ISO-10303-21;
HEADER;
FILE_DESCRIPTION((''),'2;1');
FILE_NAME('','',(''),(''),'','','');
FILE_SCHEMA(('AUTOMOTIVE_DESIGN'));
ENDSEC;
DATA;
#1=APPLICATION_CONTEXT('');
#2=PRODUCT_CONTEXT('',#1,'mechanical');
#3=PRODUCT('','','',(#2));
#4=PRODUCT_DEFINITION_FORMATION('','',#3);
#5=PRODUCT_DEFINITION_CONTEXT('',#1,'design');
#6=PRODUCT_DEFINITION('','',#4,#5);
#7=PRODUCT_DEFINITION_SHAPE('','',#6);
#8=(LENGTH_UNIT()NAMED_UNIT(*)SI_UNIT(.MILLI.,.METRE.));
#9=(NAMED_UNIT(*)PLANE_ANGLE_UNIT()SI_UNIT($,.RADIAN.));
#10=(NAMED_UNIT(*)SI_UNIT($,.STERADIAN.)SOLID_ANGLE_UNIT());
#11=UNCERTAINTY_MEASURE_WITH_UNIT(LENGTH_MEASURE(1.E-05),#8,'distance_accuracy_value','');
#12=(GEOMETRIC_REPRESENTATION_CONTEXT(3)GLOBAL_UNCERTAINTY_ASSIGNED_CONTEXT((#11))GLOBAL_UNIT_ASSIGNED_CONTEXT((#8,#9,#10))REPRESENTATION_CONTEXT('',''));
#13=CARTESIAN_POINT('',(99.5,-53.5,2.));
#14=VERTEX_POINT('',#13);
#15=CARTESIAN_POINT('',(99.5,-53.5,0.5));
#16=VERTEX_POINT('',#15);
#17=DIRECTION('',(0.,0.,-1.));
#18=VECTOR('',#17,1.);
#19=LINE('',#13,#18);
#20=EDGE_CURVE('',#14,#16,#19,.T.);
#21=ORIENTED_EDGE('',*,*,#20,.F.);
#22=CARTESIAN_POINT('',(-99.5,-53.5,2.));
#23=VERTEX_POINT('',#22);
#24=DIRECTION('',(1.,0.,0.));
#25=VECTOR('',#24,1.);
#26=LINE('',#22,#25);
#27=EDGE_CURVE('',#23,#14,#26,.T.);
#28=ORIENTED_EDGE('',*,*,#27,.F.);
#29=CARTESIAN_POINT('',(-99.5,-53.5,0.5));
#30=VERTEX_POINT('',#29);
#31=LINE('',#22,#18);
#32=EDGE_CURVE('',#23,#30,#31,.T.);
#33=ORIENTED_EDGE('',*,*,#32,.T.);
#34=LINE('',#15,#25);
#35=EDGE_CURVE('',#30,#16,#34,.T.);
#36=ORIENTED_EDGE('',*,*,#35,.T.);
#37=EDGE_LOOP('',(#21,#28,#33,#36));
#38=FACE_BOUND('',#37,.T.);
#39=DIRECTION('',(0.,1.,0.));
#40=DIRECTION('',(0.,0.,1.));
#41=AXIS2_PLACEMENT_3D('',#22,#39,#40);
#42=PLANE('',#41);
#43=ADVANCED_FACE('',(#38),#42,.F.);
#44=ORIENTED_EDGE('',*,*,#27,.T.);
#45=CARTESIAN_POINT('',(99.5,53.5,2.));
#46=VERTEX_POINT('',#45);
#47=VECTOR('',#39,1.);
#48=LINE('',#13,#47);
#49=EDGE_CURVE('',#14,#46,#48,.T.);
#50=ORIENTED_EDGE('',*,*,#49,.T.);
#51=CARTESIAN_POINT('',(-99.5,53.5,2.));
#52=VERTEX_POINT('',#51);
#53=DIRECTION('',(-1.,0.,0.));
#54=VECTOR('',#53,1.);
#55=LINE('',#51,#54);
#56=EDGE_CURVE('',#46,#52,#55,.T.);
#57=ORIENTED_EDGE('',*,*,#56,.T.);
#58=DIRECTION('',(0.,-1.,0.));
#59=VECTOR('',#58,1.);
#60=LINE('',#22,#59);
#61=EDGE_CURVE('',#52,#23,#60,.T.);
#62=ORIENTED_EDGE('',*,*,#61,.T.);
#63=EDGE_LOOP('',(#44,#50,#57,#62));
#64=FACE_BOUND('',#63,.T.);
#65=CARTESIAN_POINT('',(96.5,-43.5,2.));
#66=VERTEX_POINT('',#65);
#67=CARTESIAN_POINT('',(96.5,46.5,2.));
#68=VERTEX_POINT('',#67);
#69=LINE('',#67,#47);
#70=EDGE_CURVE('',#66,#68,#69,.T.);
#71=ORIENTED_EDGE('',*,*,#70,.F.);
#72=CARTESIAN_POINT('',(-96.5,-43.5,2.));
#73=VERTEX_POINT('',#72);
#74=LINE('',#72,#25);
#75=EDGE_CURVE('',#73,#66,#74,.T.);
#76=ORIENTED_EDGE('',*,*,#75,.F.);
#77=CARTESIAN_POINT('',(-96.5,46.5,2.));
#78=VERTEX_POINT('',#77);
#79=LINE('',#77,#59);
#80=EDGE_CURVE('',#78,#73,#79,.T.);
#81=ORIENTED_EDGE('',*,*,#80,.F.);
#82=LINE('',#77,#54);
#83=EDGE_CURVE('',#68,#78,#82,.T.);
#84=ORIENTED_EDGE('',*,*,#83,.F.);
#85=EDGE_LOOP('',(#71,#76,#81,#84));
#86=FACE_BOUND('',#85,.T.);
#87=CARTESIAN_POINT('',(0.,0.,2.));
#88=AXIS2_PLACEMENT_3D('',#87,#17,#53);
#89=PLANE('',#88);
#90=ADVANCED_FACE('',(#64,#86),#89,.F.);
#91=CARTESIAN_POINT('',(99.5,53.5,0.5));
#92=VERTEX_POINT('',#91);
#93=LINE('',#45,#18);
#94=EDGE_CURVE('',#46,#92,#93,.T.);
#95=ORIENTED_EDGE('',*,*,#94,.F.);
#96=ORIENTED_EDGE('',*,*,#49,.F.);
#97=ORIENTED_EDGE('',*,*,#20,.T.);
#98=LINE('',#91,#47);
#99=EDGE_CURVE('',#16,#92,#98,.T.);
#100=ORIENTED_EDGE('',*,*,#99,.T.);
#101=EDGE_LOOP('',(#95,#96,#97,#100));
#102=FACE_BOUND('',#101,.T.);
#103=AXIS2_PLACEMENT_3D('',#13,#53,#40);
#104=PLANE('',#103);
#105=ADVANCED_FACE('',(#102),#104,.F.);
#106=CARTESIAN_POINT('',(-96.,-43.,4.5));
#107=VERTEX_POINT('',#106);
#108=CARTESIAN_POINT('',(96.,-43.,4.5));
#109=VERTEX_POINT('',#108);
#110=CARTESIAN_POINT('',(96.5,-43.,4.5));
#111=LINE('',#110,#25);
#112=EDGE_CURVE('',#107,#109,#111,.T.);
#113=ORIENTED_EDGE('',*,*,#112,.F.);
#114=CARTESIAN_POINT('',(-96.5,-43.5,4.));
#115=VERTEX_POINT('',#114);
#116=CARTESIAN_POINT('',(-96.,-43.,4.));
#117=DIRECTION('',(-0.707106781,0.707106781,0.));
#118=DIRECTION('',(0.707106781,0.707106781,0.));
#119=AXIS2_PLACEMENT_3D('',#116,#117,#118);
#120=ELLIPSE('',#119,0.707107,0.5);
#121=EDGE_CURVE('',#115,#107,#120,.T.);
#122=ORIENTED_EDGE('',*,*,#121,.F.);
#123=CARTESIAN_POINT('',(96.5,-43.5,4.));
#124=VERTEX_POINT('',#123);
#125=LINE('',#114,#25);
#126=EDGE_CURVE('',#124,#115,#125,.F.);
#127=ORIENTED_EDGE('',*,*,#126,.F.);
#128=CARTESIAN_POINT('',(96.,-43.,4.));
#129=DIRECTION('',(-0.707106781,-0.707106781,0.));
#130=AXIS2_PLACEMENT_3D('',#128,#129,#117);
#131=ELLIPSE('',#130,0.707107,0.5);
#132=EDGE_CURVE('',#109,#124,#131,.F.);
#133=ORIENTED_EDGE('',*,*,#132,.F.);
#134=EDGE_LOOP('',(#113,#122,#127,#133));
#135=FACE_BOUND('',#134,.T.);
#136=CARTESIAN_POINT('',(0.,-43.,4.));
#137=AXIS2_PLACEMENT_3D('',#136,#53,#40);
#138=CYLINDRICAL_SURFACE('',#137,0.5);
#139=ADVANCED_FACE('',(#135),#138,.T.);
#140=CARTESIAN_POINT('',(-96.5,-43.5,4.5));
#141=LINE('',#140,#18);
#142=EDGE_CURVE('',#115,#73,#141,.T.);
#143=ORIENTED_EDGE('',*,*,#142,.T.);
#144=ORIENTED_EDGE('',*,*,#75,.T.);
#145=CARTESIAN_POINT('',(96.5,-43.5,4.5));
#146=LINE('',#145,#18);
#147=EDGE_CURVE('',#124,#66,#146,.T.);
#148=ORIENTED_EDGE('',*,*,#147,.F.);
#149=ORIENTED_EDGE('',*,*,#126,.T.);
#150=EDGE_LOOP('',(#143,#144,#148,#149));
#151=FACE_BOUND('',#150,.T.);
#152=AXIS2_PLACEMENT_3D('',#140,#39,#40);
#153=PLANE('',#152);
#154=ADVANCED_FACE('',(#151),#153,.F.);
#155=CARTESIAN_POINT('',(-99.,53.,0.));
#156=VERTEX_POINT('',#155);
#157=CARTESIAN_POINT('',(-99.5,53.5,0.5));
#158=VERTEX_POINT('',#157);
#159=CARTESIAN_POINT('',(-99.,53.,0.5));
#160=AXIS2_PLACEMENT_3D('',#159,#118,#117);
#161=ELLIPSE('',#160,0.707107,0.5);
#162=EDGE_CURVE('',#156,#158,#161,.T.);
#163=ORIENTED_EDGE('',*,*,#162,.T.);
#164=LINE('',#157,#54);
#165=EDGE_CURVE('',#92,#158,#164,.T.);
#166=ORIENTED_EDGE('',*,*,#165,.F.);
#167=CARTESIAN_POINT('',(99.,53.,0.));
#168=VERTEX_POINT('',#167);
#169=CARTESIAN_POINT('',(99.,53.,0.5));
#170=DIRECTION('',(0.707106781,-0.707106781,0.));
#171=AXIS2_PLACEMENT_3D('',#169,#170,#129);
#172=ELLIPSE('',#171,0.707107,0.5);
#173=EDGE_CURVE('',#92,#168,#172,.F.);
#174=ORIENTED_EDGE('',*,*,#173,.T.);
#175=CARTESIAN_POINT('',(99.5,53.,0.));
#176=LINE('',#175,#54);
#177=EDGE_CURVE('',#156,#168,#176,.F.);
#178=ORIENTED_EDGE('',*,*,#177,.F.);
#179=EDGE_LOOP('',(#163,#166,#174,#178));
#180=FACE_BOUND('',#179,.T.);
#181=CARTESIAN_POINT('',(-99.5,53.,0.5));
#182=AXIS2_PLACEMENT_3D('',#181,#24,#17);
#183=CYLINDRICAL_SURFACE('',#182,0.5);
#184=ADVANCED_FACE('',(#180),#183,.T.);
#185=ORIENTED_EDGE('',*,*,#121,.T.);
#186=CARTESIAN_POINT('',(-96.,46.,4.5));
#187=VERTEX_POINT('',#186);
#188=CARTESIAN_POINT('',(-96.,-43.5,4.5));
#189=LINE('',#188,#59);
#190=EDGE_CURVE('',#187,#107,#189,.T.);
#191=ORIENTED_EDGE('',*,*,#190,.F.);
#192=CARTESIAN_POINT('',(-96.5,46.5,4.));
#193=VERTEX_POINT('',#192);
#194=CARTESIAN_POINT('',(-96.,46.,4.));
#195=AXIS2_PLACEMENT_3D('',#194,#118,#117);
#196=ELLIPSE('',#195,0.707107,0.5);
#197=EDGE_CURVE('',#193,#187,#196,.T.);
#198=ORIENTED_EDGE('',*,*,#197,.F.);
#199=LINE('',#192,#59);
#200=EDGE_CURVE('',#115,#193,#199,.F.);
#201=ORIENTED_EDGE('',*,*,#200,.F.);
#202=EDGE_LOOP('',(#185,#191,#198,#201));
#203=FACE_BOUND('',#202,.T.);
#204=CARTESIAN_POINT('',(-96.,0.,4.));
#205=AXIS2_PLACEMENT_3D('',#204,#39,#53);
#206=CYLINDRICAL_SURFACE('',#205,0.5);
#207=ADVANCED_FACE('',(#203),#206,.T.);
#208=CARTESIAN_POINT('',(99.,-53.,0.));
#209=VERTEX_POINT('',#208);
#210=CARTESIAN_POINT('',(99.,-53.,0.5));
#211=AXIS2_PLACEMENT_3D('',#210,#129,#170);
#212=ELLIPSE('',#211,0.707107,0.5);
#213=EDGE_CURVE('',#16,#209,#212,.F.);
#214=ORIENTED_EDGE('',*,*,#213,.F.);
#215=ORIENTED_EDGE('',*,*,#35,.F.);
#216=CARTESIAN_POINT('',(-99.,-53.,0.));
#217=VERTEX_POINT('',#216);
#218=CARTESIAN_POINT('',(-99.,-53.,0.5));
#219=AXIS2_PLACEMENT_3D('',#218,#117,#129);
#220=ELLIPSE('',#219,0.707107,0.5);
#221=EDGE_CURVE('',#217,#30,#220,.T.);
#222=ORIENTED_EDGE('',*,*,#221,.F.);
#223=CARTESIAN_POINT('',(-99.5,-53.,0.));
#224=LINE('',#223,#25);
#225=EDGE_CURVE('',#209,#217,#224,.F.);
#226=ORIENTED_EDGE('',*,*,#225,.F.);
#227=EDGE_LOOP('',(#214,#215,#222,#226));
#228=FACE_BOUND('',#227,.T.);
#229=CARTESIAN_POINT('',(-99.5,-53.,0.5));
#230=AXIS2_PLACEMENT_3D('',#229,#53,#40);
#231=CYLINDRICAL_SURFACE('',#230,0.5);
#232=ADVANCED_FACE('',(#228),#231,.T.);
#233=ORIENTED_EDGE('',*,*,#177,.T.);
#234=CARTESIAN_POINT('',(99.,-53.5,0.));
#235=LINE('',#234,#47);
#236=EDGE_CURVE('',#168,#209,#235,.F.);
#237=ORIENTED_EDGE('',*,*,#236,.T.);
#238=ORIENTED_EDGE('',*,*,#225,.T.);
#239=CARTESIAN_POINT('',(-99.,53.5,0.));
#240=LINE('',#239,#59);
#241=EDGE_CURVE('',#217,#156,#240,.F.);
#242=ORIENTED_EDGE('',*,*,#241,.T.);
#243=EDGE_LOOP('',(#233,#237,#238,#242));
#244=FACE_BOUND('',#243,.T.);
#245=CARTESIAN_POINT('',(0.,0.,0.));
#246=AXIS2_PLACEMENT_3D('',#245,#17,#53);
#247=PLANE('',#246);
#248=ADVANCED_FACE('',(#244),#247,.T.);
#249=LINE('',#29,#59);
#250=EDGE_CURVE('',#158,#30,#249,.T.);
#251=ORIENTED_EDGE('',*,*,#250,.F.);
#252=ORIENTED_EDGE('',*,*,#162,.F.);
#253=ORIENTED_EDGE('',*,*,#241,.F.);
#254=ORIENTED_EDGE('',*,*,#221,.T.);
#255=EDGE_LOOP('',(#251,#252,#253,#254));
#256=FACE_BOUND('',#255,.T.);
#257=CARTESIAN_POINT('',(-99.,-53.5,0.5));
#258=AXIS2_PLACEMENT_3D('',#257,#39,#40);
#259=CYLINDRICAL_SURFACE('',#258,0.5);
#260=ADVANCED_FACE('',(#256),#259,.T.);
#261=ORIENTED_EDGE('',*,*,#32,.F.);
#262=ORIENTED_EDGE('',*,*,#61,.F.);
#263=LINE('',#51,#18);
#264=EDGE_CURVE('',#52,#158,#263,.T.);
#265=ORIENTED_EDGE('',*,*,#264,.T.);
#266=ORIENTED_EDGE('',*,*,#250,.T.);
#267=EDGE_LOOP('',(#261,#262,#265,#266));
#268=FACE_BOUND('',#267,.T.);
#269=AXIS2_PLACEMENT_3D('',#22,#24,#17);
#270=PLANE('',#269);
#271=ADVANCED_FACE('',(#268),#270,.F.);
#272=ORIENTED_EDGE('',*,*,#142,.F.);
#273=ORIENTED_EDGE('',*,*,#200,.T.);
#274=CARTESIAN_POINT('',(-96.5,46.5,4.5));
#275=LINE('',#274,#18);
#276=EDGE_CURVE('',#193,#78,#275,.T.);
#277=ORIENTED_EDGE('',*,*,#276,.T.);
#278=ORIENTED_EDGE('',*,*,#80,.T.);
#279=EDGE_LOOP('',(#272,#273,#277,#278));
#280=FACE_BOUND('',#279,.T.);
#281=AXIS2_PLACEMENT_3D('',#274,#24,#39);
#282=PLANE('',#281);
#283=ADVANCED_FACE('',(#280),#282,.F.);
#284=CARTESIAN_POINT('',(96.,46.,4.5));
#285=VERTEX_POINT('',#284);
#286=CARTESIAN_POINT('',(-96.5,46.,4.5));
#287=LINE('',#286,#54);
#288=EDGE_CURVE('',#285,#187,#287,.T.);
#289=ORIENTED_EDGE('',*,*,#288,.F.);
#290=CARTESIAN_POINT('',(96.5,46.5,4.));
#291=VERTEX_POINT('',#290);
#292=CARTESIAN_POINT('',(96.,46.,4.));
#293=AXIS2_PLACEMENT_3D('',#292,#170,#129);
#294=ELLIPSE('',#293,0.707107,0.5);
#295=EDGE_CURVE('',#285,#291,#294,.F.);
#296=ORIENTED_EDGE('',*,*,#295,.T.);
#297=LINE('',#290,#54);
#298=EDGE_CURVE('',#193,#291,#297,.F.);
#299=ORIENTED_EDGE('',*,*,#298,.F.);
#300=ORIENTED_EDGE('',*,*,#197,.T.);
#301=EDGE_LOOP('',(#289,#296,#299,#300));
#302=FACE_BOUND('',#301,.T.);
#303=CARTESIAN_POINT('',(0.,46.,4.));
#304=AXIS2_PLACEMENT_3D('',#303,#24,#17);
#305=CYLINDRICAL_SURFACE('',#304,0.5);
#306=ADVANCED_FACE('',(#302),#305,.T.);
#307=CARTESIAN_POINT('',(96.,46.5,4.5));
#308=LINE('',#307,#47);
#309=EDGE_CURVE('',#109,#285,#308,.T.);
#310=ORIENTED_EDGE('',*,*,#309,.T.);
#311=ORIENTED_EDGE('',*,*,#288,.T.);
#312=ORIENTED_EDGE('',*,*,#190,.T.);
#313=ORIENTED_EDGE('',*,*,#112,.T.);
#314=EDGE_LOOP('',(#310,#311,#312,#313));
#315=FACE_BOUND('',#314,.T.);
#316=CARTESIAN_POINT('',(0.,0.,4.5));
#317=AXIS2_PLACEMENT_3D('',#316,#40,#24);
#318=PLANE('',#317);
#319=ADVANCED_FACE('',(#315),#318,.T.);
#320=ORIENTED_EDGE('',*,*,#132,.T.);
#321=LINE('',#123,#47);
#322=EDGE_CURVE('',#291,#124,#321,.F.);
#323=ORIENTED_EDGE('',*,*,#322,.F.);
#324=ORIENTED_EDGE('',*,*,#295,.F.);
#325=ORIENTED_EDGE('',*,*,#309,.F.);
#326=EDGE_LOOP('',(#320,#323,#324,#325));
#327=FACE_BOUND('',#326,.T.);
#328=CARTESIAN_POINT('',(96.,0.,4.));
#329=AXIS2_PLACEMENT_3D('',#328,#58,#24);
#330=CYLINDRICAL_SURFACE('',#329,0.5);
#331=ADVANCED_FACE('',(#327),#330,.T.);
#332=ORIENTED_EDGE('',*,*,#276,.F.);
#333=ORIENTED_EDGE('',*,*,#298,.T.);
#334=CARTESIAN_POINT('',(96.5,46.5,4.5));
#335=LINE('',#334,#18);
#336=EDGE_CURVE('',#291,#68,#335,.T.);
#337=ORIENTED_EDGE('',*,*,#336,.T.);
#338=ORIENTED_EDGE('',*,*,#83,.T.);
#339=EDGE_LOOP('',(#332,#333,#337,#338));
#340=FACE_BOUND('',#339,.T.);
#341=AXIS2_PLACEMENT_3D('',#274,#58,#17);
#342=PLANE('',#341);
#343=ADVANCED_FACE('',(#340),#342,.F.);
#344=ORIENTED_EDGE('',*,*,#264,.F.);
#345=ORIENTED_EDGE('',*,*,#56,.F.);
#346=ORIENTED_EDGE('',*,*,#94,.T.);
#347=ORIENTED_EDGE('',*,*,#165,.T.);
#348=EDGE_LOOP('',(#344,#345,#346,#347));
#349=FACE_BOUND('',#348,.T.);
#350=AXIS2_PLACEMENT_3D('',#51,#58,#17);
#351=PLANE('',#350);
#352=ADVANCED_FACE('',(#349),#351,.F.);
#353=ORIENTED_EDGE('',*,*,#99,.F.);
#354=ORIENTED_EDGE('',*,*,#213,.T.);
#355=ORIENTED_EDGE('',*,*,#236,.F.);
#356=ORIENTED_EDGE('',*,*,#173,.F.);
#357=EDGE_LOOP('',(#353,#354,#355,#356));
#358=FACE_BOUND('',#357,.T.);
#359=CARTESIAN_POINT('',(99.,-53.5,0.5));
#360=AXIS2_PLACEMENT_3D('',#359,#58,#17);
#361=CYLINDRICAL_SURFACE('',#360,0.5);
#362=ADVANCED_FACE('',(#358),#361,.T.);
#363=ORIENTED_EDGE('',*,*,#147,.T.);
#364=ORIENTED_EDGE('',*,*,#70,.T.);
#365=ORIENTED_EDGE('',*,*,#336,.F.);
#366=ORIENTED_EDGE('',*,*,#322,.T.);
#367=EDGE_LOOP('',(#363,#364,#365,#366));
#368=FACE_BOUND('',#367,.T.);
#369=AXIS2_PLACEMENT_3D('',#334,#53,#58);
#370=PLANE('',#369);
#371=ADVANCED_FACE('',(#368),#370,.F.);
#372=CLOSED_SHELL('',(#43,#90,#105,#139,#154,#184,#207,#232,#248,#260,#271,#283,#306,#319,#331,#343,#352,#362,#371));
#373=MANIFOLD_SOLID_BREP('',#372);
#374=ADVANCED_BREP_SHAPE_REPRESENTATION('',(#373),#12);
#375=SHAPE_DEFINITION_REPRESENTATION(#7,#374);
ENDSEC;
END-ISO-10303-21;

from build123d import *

# Parameters (mm, degrees)
SKETCH1_W           = 199
SKETCH1_H           = 107
BOSS_EXTRUDE1_DEPTH = 2
SKETCH2_W           = 193
SKETCH2_H           = 90
BOSS_EXTRUDE2_DEPTH = 2.5
FILLET2_R           = 0.5
FILLET3_R           = 0.5


with BuildPart() as part:
    # Sketch1 → Boss-Extrude1 (new body)
    with BuildSketch(Plane.XY):
        Rectangle(SKETCH1_W, SKETCH1_H)
    extrude(amount=BOSS_EXTRUDE1_DEPTH)

    # Sketch2 → Boss-Extrude2 (add)
    with BuildSketch(Plane.XY.offset(2)):
        with Locations((0, 1.5)):
            Rectangle(SKETCH2_W, SKETCH2_H)
    extrude(amount=BOSS_EXTRUDE2_DEPTH)

    # Fillet2
    fillet2_edges = [part.edges().sort_by_distance(p)[0] for p in [
        (-96.5, 1.5, 4.5),
        (0, -43.5, 4.5),
        (96.5, 1.5, 4.5),
        (0, 46.5, 4.5),
    ]]
    fillet(fillet2_edges, radius=FILLET2_R)

    # Fillet3
    fillet3_edges = [part.edges().sort_by_distance(p)[0] for p in [
        (0, -53.5, 0),
        (-99.5, 0, 0),
        (0, 53.5, 0),
        (99.5, 0, 0),
    ]]
    fillet(fillet3_edges, radius=FILLET3_R)


solid = part.part
